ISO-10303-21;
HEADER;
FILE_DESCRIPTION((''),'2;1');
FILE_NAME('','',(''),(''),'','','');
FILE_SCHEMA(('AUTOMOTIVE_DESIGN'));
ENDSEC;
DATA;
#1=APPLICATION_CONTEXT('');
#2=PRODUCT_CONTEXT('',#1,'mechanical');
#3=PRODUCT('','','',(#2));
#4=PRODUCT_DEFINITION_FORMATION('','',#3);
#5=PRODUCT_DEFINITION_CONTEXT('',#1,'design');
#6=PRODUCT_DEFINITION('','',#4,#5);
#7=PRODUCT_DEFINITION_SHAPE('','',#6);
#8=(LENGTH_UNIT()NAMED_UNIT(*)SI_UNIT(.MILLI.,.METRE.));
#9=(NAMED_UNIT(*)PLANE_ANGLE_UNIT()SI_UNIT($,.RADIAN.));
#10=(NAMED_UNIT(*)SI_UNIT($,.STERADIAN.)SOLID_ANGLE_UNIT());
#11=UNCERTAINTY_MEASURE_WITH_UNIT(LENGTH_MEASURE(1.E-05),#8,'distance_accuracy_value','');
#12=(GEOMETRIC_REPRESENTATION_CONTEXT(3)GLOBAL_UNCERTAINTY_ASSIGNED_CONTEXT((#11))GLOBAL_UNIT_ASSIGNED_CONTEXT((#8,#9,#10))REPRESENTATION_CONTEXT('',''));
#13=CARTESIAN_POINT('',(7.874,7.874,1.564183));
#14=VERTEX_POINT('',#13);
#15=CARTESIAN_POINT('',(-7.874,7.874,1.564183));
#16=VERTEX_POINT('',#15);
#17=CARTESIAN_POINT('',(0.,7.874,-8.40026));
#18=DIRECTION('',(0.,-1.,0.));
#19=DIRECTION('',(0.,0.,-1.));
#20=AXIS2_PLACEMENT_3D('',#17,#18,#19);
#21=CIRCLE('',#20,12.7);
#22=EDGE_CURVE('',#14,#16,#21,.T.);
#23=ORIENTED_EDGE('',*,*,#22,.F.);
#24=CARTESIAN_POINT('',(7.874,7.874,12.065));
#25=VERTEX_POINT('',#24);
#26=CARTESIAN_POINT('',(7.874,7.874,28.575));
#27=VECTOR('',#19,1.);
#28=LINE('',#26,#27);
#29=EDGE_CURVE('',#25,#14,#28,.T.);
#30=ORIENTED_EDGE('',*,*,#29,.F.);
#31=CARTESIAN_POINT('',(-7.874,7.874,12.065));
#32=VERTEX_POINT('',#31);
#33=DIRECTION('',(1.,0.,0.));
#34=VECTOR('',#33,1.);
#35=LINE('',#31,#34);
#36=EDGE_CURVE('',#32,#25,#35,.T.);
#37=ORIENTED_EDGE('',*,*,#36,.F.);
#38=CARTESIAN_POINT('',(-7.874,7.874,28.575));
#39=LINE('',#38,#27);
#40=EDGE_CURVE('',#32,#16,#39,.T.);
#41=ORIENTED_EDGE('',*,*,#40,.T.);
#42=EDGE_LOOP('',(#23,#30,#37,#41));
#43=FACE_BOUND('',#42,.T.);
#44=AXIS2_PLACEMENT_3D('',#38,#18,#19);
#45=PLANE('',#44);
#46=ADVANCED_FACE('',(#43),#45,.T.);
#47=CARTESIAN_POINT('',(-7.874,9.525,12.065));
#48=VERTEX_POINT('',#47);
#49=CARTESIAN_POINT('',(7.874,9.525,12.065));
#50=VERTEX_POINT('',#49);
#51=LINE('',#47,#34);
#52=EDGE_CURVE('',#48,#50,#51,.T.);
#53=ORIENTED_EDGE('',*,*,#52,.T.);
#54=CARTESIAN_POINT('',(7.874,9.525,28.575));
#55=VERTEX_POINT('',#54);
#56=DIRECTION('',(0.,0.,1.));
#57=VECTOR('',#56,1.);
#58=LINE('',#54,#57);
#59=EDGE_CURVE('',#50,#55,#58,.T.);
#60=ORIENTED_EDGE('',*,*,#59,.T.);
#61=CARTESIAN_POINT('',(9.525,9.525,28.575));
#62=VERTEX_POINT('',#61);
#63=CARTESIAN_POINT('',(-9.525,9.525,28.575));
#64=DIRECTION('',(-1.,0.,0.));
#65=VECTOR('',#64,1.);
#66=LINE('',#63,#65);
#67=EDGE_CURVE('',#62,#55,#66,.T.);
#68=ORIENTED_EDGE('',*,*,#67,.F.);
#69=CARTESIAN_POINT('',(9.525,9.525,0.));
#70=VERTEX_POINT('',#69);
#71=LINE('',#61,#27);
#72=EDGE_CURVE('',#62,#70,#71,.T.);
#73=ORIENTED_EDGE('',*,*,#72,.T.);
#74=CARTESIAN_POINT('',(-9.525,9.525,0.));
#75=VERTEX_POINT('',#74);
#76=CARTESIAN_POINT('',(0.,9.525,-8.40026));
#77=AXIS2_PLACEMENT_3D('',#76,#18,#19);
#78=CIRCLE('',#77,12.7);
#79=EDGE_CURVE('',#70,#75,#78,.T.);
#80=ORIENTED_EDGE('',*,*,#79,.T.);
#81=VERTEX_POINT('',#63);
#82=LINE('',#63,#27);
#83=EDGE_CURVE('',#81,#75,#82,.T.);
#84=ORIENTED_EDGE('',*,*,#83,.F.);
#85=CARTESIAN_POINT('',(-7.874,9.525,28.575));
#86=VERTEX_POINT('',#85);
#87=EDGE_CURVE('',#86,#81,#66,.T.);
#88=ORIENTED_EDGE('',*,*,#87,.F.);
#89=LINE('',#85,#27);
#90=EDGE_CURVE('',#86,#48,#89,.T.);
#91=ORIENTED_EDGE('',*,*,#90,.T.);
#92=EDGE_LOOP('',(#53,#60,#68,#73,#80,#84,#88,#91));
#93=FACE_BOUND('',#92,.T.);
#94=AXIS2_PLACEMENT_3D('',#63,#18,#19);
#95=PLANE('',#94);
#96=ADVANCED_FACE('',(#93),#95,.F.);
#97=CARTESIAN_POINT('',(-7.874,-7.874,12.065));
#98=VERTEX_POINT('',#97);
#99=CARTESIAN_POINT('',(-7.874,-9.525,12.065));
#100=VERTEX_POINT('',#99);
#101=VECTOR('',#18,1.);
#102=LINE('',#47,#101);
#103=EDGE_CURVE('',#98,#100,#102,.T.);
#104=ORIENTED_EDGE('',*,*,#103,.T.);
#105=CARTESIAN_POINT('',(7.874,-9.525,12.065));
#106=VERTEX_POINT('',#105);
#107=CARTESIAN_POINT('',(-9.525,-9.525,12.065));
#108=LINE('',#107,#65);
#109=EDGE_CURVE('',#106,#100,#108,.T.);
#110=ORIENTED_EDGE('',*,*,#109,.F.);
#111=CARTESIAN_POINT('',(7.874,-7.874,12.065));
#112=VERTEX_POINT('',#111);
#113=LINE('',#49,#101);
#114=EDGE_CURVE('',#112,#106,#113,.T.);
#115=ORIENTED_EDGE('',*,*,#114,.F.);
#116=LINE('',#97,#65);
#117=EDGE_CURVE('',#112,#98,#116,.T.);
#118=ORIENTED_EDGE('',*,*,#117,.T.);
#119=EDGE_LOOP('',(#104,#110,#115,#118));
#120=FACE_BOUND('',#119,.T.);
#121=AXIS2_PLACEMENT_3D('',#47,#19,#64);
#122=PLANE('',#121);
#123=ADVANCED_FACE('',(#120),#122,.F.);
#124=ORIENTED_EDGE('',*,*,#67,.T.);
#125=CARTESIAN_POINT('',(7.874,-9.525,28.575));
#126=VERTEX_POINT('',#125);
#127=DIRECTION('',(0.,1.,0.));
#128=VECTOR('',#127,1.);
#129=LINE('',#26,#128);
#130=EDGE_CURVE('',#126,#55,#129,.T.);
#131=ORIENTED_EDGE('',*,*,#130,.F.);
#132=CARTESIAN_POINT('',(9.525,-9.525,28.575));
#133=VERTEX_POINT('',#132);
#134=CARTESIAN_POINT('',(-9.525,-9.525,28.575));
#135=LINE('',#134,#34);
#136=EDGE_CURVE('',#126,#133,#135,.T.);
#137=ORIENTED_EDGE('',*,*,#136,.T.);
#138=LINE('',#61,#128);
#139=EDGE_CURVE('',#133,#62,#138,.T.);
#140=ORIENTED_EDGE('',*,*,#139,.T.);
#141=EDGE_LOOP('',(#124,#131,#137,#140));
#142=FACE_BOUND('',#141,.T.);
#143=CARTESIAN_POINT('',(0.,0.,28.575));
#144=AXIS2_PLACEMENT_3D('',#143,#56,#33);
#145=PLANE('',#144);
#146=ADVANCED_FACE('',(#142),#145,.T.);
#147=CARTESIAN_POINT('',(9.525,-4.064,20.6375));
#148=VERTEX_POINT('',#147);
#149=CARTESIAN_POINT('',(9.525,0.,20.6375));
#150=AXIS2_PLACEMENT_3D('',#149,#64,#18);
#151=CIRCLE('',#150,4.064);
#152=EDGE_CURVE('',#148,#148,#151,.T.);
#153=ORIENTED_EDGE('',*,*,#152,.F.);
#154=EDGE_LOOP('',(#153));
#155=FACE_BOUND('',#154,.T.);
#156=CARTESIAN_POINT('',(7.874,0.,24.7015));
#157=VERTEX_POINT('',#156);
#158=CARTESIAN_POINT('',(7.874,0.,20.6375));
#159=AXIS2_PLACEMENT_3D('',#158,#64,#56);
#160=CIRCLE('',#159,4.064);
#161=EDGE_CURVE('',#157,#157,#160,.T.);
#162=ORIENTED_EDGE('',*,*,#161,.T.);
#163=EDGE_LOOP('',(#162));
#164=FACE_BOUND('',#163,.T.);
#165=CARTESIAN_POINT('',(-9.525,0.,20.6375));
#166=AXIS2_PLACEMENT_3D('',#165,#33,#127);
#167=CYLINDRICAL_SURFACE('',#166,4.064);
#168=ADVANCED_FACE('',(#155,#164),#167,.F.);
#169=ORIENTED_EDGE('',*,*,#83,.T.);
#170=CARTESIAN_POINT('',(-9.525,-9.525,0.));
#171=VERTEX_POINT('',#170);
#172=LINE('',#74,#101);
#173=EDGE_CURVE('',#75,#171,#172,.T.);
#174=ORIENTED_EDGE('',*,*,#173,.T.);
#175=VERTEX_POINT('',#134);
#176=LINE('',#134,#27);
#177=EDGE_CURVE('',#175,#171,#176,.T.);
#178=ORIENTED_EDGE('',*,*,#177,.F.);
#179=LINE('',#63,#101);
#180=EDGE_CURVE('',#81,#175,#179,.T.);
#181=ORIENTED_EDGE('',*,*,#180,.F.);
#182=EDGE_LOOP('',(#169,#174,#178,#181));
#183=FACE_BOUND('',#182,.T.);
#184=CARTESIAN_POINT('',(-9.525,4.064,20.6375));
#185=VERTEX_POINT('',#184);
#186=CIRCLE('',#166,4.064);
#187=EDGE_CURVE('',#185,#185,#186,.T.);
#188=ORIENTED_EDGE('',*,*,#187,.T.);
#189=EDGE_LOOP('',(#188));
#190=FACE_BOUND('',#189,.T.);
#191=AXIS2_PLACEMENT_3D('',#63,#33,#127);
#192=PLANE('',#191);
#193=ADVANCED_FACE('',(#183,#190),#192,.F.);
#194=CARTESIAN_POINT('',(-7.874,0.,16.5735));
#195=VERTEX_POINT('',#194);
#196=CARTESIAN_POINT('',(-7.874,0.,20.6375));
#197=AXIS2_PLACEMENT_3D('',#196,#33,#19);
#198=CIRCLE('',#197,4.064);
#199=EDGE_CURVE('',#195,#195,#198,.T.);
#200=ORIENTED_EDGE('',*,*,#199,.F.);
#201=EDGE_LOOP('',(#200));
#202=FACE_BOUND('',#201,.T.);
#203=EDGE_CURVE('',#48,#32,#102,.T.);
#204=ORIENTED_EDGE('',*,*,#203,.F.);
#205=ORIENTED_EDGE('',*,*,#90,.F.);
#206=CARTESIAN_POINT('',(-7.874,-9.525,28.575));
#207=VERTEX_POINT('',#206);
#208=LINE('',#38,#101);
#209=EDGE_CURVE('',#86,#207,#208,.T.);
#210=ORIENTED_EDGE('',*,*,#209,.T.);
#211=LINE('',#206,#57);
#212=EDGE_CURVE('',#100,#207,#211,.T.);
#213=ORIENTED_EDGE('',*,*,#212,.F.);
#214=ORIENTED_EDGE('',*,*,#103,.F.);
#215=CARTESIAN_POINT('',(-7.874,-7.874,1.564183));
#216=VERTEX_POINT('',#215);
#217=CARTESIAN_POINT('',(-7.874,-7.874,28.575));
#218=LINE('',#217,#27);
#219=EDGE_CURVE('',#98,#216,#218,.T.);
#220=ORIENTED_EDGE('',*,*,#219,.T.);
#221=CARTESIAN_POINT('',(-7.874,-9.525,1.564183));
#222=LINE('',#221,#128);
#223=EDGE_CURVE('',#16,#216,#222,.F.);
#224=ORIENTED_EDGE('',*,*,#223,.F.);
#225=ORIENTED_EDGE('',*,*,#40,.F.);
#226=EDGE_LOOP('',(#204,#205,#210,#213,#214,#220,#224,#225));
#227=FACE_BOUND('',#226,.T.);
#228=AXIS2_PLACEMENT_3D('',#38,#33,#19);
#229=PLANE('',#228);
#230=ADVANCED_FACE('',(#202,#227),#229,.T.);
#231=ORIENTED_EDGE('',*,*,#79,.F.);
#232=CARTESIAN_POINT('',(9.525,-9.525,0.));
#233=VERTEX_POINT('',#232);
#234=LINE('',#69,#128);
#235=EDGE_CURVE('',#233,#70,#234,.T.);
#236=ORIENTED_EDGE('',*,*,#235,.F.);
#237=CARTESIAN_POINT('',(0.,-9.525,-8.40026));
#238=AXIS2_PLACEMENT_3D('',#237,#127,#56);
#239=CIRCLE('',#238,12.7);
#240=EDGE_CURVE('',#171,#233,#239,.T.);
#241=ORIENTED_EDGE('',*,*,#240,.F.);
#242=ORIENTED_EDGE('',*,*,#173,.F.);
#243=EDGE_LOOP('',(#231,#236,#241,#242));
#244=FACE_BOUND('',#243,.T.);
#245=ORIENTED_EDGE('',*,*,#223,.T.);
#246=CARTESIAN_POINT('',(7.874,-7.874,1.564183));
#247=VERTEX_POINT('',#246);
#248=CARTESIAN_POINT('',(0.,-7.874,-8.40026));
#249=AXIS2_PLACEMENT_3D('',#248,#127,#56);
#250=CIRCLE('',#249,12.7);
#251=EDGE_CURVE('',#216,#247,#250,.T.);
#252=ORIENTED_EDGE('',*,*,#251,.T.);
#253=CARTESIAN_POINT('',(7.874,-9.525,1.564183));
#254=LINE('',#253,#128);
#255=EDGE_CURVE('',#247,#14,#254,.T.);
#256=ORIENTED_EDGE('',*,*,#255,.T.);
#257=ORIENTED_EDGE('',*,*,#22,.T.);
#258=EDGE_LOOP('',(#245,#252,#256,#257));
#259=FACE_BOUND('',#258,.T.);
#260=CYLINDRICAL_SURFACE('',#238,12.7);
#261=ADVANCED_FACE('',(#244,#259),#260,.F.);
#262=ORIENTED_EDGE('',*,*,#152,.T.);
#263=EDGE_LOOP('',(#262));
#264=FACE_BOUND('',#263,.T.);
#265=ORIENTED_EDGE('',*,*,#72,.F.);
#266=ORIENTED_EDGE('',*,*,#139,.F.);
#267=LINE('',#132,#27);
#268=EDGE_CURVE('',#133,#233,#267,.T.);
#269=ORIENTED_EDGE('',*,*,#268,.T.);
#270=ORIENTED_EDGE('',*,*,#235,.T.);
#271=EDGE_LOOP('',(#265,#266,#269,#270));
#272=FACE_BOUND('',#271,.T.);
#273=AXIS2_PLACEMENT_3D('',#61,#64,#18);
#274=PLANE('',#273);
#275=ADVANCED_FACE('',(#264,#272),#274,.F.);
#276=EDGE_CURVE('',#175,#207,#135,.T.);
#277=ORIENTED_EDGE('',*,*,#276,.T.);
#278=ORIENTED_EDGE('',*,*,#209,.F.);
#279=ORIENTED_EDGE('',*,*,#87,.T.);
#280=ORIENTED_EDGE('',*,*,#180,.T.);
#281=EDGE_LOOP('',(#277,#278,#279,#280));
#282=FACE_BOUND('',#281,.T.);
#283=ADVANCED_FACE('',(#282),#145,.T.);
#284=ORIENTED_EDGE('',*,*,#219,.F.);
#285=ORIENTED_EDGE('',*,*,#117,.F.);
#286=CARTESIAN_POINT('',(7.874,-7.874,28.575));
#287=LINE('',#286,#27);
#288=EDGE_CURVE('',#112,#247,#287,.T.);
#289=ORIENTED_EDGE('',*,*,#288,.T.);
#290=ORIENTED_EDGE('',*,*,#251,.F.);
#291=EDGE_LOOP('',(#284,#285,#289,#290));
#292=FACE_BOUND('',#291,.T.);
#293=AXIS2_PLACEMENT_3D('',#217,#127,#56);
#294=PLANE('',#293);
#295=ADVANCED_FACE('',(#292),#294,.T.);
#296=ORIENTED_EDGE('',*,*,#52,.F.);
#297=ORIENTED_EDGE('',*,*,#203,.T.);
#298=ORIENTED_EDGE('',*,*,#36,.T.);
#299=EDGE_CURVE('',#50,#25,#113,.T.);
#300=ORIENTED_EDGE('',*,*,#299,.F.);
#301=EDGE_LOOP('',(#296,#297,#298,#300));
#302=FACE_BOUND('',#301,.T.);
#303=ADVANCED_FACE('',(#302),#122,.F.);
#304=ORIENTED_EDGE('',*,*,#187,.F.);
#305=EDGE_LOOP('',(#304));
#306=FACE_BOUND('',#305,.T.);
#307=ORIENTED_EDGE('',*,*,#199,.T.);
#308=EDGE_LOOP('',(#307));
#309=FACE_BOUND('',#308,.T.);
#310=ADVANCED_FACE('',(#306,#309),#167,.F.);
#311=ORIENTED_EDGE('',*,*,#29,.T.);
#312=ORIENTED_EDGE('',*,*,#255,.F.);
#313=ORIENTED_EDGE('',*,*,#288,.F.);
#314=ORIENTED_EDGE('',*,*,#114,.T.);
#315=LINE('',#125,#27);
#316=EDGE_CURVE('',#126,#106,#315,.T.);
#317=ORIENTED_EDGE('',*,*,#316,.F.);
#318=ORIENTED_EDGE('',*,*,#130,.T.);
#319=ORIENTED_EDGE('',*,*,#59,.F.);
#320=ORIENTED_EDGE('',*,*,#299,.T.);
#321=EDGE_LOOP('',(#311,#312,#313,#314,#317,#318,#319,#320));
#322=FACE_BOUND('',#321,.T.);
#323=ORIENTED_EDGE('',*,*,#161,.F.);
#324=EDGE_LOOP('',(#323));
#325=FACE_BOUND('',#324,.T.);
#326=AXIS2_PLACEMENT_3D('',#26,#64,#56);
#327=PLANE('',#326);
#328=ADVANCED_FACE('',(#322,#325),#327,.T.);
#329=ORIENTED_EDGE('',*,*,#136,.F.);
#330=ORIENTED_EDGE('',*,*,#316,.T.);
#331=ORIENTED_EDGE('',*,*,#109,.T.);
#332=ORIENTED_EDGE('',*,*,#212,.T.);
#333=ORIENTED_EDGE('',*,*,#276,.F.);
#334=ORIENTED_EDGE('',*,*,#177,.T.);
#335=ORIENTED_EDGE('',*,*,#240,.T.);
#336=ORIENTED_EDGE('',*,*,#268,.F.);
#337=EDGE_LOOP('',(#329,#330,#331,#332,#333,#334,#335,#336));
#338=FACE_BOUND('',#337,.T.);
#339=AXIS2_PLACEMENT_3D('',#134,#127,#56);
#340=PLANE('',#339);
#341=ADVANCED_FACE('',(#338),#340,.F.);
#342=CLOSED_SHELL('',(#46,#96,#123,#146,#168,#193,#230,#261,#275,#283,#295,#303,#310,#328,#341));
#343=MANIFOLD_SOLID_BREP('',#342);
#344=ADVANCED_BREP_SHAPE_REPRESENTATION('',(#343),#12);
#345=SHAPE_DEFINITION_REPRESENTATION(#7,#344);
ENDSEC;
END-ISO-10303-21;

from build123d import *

# Parameters (mm, degrees)
SKETCH1_W               = 19.05
SKETCH1_H               = 19.05
SKETCH1_W_2             = 15.748
SKETCH1_H_2             = 15.748
BOSS_EXTRUDE1_DEPTH     = 28.575
CUT_EXTRUDE5_DEPTH      = 36.639286609
CUT_EXTRUDE5_DEPTH_BACK = 36.639286609
SKETCH5_R               = 12.7
CUT_EXTRUDE2_DEPTH      = 36.639286609
CUT_EXTRUDE2_DEPTH_BACK = 36.639286609
SKETCH3_R               = 4.064
CUT_EXTRUDE4_DEPTH      = 36.639286609
CUT_EXTRUDE4_DEPTH_BACK = 36.639286609
SKETCH4_W               = 15.748
SKETCH4_H               = 16.51


with BuildPart() as part:
    # Sketch1 → Boss-Extrude1 (new body)
    with BuildSketch(Plane.XY):
        Rectangle(SKETCH1_W, SKETCH1_H)
        Rectangle(SKETCH1_W_2, SKETCH1_H_2, mode=Mode.SUBTRACT)
    extrude(amount=BOSS_EXTRUDE1_DEPTH)

    # Sketch5 → Cut-Extrude5 (cut, two sides: drawn at the far end of the back side and taken through both)
    with BuildSketch(Plane(origin=(0, 9.525, 0), x_dir=(1, 0, 0), z_dir=(0, 1, 0)).offset(-CUT_EXTRUDE5_DEPTH_BACK)):
        with Locations((0, 8.400260413)):
            Circle(SKETCH5_R)
    extrude(amount=CUT_EXTRUDE5_DEPTH + CUT_EXTRUDE5_DEPTH_BACK, mode=Mode.SUBTRACT)

    # Sketch3 → Cut-Extrude2 (cut, two sides: drawn at the far end of the back side and taken through both)
    with BuildSketch(Plane(origin=(9.525, 0, 0), x_dir=(0, 0, -1), z_dir=(1, 0, 0)).offset(-CUT_EXTRUDE2_DEPTH_BACK)):
        with Locations((-20.6375, 0)):
            Circle(SKETCH3_R)
    extrude(amount=CUT_EXTRUDE2_DEPTH + CUT_EXTRUDE2_DEPTH_BACK, mode=Mode.SUBTRACT)

    # Sketch4 → Cut-Extrude4 (cut, two sides: drawn at the far end of the back side and taken through both)
    with BuildSketch(Plane.XZ.offset(9.525).offset(-CUT_EXTRUDE4_DEPTH_BACK)):
        with Locations((0, 20.32)):
            Rectangle(SKETCH4_W, SKETCH4_H)
    extrude(amount=CUT_EXTRUDE4_DEPTH + CUT_EXTRUDE4_DEPTH_BACK, mode=Mode.SUBTRACT)


solid = part.part
